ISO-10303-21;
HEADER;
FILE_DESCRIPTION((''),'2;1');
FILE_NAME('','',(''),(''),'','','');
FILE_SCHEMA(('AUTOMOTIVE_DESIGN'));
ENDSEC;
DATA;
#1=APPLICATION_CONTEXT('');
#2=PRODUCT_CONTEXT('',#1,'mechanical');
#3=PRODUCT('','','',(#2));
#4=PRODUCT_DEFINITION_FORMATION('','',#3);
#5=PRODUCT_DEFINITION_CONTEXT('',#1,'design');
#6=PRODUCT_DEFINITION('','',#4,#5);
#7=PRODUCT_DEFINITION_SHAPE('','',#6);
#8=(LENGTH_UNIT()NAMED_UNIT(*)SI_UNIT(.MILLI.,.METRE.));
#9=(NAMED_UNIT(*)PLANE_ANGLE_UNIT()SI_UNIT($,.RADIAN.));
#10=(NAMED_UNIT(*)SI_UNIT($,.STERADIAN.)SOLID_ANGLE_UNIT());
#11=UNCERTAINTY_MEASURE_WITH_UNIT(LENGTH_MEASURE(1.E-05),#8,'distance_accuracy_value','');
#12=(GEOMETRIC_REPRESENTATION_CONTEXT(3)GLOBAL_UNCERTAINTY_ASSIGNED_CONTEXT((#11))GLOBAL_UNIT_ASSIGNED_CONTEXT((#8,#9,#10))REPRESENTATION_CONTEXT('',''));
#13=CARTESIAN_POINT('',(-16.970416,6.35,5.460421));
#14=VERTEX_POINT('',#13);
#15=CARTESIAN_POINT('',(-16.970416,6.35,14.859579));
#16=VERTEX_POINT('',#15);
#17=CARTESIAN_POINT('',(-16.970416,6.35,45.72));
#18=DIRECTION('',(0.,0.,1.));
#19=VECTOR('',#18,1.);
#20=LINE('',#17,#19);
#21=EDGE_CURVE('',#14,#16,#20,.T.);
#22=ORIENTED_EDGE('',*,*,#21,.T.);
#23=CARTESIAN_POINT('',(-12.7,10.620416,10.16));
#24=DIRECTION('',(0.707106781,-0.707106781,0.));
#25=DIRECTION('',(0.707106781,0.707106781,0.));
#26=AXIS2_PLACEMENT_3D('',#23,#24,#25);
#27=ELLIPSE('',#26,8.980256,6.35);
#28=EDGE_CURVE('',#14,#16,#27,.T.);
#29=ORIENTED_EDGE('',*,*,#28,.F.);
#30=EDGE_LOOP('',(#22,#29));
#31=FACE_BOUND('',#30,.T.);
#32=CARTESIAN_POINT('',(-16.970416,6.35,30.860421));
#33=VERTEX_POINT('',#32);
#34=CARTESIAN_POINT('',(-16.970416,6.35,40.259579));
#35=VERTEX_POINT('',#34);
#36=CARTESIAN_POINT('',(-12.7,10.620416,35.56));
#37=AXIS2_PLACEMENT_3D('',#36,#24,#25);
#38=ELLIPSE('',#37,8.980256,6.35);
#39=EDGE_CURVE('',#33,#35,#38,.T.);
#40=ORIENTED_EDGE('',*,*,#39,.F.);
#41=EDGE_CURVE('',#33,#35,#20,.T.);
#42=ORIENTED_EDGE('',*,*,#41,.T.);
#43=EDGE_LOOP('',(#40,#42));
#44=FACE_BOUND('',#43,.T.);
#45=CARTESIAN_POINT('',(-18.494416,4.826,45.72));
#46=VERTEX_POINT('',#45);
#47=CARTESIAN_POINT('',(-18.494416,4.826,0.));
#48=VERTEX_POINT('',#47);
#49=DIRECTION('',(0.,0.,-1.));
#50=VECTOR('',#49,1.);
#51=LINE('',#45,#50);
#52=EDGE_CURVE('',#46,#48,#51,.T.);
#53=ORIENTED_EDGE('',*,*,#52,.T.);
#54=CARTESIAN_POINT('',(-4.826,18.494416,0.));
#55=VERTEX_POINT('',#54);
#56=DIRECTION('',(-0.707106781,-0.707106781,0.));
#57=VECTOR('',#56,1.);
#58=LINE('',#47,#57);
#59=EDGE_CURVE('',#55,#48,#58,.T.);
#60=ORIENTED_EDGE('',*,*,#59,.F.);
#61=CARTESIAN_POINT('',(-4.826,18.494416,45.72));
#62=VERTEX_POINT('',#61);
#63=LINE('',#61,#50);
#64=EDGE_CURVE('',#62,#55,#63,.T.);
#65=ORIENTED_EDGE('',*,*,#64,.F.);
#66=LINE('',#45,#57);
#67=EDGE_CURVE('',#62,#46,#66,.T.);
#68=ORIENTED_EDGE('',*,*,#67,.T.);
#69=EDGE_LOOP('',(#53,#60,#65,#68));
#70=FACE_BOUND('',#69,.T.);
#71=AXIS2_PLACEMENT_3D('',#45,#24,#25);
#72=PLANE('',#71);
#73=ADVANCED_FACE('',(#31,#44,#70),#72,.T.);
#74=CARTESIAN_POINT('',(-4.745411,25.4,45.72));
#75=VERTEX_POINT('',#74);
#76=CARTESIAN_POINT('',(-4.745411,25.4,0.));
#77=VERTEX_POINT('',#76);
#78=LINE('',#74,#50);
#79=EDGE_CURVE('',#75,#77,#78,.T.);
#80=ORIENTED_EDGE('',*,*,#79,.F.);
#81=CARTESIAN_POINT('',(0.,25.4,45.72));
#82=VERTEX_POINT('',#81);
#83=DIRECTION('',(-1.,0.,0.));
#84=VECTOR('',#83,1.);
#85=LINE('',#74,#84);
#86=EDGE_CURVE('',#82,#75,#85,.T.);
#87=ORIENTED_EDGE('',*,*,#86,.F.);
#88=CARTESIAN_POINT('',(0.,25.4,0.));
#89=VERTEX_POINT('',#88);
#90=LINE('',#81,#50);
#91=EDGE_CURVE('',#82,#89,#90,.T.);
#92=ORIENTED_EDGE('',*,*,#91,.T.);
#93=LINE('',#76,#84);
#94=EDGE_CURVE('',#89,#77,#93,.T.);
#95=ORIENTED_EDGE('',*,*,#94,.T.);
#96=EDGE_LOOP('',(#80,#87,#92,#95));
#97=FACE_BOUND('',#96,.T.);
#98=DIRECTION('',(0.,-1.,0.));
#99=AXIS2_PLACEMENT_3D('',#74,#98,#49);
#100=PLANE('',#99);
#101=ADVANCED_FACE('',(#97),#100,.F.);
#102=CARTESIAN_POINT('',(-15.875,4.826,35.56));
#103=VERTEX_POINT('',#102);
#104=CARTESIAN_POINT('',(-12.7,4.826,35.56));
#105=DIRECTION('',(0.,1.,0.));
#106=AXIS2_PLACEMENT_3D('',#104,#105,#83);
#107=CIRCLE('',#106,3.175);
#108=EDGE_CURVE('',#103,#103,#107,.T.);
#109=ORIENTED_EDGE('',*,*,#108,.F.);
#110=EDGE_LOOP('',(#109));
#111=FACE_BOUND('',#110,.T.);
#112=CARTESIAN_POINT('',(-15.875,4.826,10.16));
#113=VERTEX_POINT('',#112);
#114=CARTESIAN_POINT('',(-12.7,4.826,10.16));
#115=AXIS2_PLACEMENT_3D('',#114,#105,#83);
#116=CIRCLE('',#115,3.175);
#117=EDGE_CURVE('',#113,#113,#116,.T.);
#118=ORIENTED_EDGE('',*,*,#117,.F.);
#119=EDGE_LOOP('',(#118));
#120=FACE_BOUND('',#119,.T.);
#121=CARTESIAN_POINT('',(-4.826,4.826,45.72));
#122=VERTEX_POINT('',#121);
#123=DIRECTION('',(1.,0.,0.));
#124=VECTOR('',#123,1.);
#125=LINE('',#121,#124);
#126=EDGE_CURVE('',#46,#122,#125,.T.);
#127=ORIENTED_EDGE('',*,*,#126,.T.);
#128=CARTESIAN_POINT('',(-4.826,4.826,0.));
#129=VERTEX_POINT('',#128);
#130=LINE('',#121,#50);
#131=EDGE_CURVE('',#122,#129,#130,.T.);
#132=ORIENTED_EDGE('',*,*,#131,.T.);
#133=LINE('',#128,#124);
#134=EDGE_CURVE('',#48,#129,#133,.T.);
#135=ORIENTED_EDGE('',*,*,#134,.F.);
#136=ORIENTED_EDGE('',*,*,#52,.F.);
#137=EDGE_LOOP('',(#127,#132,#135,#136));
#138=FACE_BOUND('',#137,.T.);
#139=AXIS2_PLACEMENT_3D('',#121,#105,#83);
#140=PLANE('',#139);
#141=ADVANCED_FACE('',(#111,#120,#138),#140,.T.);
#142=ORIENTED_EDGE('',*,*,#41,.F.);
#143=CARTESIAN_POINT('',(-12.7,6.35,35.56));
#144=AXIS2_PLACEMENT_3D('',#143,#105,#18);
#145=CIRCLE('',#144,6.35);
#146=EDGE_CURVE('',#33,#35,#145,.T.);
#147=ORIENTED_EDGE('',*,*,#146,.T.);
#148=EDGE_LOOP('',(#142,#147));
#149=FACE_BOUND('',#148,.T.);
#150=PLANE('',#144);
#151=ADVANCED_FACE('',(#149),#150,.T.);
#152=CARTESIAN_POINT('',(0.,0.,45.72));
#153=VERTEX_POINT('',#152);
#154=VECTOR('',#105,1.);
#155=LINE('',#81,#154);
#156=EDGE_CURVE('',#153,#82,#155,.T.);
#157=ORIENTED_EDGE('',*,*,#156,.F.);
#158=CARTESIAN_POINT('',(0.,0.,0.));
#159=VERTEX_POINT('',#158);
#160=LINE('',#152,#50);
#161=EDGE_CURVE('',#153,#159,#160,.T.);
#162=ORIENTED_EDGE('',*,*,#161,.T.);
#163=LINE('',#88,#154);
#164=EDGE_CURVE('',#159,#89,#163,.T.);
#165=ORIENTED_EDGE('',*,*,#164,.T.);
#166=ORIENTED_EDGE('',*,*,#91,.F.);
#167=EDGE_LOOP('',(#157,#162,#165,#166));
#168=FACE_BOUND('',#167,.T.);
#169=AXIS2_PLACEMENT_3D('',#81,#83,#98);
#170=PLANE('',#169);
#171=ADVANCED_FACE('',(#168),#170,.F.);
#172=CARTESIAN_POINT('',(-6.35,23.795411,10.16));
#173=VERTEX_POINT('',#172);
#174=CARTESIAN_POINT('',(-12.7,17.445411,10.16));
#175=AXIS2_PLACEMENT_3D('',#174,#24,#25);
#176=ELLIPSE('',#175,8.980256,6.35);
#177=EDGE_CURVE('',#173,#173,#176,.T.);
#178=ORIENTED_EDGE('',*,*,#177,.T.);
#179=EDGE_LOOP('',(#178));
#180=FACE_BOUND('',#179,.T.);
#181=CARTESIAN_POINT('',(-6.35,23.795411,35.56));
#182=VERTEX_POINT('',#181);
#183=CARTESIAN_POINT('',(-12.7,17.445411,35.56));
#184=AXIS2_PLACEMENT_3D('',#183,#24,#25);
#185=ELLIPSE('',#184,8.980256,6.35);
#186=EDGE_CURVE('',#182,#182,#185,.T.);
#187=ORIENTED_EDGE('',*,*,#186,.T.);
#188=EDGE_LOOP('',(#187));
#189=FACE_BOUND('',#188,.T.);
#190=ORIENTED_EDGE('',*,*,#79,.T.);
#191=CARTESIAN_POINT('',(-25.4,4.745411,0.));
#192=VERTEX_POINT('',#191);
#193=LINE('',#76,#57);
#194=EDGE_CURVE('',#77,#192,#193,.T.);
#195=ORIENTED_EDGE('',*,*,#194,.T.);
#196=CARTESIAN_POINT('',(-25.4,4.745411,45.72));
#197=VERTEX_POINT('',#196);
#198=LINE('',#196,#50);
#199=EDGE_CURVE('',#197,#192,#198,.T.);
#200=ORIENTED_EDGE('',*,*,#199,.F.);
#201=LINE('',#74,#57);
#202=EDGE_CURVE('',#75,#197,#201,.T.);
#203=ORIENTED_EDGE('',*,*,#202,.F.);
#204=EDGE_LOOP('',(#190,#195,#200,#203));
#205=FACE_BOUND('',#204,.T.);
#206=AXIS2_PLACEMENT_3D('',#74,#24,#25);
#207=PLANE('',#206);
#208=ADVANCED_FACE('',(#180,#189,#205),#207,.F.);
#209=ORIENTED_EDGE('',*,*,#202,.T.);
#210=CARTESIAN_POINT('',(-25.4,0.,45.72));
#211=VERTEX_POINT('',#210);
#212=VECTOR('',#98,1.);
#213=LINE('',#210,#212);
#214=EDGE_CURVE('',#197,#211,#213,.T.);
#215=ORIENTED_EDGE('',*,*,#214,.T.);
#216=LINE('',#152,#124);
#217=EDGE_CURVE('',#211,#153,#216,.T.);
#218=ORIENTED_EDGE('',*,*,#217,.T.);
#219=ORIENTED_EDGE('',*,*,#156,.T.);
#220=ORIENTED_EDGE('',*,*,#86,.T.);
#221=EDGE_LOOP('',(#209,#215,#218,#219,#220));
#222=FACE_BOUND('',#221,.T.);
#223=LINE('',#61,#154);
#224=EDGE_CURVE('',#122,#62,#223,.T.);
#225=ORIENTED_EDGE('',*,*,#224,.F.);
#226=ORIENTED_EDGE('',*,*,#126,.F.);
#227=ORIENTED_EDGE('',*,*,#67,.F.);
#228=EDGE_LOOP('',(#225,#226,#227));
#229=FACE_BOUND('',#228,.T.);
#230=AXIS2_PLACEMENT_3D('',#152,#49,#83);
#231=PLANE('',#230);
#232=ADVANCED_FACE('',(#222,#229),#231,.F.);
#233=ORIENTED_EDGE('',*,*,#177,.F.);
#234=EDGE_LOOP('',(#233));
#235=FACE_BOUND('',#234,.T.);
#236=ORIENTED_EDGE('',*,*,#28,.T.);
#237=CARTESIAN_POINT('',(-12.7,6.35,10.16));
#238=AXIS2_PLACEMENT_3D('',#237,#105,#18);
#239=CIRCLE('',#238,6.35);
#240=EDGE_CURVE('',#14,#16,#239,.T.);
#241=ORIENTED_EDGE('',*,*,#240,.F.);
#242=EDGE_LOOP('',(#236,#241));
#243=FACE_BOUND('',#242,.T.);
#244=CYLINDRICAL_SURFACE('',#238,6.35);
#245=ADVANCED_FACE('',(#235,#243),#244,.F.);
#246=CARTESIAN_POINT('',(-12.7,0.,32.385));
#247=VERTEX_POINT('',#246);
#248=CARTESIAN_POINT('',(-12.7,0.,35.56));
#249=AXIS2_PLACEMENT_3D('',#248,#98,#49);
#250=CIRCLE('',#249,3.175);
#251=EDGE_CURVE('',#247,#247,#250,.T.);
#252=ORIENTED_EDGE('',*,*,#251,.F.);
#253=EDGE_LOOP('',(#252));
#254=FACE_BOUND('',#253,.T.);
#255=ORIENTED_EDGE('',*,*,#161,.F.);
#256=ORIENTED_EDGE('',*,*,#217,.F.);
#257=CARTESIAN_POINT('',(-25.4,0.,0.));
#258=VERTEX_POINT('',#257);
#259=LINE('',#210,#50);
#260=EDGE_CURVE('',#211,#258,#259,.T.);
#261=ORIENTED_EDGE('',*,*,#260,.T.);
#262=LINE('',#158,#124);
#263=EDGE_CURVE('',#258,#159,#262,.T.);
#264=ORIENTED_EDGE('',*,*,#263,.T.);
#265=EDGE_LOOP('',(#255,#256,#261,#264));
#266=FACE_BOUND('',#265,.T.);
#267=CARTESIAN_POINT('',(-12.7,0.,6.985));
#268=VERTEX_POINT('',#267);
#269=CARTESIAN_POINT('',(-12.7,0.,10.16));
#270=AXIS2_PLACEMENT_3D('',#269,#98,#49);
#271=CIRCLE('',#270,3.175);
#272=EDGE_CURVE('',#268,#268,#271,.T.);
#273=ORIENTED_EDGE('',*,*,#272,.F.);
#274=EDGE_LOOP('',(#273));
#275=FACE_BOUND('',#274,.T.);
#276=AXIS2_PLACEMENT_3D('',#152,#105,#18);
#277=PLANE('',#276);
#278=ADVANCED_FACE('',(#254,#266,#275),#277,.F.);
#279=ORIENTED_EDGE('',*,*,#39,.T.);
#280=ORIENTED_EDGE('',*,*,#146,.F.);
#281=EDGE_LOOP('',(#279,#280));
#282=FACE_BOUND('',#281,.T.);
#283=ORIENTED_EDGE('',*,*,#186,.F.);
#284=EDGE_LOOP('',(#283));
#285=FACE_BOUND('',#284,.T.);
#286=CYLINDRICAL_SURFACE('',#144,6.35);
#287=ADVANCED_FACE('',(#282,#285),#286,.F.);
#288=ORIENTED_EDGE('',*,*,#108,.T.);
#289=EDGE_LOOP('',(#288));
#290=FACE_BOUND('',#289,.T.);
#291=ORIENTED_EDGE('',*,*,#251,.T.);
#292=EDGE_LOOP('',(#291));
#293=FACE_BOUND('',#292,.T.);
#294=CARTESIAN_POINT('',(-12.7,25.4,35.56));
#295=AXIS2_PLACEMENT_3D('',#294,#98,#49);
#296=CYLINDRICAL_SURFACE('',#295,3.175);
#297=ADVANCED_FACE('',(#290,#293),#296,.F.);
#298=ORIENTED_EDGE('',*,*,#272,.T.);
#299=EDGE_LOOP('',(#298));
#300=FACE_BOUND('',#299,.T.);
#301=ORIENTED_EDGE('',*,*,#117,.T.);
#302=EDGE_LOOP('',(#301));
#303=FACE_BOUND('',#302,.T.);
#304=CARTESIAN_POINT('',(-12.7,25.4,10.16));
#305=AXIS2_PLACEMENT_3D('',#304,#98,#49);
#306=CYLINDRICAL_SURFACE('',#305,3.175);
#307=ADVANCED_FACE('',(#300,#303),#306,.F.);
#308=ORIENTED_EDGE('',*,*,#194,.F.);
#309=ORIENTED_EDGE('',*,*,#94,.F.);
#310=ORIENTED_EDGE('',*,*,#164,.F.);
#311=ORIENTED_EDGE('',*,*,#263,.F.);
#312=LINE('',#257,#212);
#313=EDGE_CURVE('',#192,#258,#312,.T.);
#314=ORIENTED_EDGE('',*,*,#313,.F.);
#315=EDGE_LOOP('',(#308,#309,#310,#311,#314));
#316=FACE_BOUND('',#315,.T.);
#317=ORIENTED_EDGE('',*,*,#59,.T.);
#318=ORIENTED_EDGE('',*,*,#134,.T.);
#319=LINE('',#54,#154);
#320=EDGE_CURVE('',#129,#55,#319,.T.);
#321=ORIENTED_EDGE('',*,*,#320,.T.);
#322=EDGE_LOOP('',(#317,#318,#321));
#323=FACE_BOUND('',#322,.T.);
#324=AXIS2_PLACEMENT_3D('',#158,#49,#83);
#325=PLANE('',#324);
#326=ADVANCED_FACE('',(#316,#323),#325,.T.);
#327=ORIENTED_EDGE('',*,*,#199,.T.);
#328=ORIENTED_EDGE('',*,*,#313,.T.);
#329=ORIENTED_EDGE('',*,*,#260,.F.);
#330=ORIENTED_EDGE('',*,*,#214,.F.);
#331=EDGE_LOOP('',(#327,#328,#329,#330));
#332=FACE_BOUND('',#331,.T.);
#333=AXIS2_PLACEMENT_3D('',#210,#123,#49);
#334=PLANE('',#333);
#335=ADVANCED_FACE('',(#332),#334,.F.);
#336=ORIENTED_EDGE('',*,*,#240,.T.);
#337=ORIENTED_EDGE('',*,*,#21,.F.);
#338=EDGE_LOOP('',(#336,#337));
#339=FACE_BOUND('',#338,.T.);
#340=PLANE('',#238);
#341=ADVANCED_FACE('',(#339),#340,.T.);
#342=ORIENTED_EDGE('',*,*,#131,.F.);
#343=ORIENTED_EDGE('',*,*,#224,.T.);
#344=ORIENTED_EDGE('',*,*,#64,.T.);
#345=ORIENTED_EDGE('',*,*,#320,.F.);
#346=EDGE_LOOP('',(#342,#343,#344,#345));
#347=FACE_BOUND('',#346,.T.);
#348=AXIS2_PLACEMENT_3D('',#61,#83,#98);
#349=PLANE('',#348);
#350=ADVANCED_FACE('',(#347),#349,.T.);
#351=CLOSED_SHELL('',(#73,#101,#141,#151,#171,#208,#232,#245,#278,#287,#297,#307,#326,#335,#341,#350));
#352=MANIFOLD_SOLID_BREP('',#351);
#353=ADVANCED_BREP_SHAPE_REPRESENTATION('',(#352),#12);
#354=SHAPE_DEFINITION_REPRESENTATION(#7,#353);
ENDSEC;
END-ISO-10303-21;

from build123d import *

# Parameters (mm, degrees)
BOSS_EXTRUDE1_DEPTH = 45.72
SKETCH2_R           = 3.175
CUT_EXTRUDE1_DEPTH  = 59.143257563
SKETCH4_R           = 6.35
CUT_EXTRUDE2_DEPTH  = 19.05


with BuildPart() as part:
    # Sketch1 → Boss-Extrude1 (new body)
    with BuildSketch(Plane.XY):
        Polygon((-4.745410922, 25.4), (-25.4, 4.745410922), (-25.4, 0), (0, 0), (0, 25.4), align=None)
        Polygon((-4.826, 18.49441627), (-4.826, 4.826), (-18.49441627, 4.826), align=None, mode=Mode.SUBTRACT)
    extrude(amount=BOSS_EXTRUDE1_DEPTH)

    # Sketch2 → Cut-Extrude1 (cut, through all)
    with BuildSketch(Plane.XZ):
        with Locations(Location((-12.7, 35.56, 0), (0, 0, 270))):
            Circle(SKETCH2_R)
        with Locations(Location((-12.7, 10.16, 0), (0, 0, 270))):
            Circle(SKETCH2_R)
    extrude(amount=-CUT_EXTRUDE1_DEPTH, mode=Mode.SUBTRACT)

    # Sketch4 → Cut-Extrude2 (cut)
    with BuildSketch(Plane(origin=(0, 25.4, 0), x_dir=(1, 0, 0), z_dir=(0, 1, 0))):
        with Locations(Location((-12.7, -10.16, 0), (0, 0, 227.739186389))):
            Circle(SKETCH4_R)
        with Locations(Location((-12.7, -35.56, 0), (0, 0, 227.739186389))):
            Circle(SKETCH4_R)
    extrude(amount=-CUT_EXTRUDE2_DEPTH, mode=Mode.SUBTRACT)


solid = part.part
